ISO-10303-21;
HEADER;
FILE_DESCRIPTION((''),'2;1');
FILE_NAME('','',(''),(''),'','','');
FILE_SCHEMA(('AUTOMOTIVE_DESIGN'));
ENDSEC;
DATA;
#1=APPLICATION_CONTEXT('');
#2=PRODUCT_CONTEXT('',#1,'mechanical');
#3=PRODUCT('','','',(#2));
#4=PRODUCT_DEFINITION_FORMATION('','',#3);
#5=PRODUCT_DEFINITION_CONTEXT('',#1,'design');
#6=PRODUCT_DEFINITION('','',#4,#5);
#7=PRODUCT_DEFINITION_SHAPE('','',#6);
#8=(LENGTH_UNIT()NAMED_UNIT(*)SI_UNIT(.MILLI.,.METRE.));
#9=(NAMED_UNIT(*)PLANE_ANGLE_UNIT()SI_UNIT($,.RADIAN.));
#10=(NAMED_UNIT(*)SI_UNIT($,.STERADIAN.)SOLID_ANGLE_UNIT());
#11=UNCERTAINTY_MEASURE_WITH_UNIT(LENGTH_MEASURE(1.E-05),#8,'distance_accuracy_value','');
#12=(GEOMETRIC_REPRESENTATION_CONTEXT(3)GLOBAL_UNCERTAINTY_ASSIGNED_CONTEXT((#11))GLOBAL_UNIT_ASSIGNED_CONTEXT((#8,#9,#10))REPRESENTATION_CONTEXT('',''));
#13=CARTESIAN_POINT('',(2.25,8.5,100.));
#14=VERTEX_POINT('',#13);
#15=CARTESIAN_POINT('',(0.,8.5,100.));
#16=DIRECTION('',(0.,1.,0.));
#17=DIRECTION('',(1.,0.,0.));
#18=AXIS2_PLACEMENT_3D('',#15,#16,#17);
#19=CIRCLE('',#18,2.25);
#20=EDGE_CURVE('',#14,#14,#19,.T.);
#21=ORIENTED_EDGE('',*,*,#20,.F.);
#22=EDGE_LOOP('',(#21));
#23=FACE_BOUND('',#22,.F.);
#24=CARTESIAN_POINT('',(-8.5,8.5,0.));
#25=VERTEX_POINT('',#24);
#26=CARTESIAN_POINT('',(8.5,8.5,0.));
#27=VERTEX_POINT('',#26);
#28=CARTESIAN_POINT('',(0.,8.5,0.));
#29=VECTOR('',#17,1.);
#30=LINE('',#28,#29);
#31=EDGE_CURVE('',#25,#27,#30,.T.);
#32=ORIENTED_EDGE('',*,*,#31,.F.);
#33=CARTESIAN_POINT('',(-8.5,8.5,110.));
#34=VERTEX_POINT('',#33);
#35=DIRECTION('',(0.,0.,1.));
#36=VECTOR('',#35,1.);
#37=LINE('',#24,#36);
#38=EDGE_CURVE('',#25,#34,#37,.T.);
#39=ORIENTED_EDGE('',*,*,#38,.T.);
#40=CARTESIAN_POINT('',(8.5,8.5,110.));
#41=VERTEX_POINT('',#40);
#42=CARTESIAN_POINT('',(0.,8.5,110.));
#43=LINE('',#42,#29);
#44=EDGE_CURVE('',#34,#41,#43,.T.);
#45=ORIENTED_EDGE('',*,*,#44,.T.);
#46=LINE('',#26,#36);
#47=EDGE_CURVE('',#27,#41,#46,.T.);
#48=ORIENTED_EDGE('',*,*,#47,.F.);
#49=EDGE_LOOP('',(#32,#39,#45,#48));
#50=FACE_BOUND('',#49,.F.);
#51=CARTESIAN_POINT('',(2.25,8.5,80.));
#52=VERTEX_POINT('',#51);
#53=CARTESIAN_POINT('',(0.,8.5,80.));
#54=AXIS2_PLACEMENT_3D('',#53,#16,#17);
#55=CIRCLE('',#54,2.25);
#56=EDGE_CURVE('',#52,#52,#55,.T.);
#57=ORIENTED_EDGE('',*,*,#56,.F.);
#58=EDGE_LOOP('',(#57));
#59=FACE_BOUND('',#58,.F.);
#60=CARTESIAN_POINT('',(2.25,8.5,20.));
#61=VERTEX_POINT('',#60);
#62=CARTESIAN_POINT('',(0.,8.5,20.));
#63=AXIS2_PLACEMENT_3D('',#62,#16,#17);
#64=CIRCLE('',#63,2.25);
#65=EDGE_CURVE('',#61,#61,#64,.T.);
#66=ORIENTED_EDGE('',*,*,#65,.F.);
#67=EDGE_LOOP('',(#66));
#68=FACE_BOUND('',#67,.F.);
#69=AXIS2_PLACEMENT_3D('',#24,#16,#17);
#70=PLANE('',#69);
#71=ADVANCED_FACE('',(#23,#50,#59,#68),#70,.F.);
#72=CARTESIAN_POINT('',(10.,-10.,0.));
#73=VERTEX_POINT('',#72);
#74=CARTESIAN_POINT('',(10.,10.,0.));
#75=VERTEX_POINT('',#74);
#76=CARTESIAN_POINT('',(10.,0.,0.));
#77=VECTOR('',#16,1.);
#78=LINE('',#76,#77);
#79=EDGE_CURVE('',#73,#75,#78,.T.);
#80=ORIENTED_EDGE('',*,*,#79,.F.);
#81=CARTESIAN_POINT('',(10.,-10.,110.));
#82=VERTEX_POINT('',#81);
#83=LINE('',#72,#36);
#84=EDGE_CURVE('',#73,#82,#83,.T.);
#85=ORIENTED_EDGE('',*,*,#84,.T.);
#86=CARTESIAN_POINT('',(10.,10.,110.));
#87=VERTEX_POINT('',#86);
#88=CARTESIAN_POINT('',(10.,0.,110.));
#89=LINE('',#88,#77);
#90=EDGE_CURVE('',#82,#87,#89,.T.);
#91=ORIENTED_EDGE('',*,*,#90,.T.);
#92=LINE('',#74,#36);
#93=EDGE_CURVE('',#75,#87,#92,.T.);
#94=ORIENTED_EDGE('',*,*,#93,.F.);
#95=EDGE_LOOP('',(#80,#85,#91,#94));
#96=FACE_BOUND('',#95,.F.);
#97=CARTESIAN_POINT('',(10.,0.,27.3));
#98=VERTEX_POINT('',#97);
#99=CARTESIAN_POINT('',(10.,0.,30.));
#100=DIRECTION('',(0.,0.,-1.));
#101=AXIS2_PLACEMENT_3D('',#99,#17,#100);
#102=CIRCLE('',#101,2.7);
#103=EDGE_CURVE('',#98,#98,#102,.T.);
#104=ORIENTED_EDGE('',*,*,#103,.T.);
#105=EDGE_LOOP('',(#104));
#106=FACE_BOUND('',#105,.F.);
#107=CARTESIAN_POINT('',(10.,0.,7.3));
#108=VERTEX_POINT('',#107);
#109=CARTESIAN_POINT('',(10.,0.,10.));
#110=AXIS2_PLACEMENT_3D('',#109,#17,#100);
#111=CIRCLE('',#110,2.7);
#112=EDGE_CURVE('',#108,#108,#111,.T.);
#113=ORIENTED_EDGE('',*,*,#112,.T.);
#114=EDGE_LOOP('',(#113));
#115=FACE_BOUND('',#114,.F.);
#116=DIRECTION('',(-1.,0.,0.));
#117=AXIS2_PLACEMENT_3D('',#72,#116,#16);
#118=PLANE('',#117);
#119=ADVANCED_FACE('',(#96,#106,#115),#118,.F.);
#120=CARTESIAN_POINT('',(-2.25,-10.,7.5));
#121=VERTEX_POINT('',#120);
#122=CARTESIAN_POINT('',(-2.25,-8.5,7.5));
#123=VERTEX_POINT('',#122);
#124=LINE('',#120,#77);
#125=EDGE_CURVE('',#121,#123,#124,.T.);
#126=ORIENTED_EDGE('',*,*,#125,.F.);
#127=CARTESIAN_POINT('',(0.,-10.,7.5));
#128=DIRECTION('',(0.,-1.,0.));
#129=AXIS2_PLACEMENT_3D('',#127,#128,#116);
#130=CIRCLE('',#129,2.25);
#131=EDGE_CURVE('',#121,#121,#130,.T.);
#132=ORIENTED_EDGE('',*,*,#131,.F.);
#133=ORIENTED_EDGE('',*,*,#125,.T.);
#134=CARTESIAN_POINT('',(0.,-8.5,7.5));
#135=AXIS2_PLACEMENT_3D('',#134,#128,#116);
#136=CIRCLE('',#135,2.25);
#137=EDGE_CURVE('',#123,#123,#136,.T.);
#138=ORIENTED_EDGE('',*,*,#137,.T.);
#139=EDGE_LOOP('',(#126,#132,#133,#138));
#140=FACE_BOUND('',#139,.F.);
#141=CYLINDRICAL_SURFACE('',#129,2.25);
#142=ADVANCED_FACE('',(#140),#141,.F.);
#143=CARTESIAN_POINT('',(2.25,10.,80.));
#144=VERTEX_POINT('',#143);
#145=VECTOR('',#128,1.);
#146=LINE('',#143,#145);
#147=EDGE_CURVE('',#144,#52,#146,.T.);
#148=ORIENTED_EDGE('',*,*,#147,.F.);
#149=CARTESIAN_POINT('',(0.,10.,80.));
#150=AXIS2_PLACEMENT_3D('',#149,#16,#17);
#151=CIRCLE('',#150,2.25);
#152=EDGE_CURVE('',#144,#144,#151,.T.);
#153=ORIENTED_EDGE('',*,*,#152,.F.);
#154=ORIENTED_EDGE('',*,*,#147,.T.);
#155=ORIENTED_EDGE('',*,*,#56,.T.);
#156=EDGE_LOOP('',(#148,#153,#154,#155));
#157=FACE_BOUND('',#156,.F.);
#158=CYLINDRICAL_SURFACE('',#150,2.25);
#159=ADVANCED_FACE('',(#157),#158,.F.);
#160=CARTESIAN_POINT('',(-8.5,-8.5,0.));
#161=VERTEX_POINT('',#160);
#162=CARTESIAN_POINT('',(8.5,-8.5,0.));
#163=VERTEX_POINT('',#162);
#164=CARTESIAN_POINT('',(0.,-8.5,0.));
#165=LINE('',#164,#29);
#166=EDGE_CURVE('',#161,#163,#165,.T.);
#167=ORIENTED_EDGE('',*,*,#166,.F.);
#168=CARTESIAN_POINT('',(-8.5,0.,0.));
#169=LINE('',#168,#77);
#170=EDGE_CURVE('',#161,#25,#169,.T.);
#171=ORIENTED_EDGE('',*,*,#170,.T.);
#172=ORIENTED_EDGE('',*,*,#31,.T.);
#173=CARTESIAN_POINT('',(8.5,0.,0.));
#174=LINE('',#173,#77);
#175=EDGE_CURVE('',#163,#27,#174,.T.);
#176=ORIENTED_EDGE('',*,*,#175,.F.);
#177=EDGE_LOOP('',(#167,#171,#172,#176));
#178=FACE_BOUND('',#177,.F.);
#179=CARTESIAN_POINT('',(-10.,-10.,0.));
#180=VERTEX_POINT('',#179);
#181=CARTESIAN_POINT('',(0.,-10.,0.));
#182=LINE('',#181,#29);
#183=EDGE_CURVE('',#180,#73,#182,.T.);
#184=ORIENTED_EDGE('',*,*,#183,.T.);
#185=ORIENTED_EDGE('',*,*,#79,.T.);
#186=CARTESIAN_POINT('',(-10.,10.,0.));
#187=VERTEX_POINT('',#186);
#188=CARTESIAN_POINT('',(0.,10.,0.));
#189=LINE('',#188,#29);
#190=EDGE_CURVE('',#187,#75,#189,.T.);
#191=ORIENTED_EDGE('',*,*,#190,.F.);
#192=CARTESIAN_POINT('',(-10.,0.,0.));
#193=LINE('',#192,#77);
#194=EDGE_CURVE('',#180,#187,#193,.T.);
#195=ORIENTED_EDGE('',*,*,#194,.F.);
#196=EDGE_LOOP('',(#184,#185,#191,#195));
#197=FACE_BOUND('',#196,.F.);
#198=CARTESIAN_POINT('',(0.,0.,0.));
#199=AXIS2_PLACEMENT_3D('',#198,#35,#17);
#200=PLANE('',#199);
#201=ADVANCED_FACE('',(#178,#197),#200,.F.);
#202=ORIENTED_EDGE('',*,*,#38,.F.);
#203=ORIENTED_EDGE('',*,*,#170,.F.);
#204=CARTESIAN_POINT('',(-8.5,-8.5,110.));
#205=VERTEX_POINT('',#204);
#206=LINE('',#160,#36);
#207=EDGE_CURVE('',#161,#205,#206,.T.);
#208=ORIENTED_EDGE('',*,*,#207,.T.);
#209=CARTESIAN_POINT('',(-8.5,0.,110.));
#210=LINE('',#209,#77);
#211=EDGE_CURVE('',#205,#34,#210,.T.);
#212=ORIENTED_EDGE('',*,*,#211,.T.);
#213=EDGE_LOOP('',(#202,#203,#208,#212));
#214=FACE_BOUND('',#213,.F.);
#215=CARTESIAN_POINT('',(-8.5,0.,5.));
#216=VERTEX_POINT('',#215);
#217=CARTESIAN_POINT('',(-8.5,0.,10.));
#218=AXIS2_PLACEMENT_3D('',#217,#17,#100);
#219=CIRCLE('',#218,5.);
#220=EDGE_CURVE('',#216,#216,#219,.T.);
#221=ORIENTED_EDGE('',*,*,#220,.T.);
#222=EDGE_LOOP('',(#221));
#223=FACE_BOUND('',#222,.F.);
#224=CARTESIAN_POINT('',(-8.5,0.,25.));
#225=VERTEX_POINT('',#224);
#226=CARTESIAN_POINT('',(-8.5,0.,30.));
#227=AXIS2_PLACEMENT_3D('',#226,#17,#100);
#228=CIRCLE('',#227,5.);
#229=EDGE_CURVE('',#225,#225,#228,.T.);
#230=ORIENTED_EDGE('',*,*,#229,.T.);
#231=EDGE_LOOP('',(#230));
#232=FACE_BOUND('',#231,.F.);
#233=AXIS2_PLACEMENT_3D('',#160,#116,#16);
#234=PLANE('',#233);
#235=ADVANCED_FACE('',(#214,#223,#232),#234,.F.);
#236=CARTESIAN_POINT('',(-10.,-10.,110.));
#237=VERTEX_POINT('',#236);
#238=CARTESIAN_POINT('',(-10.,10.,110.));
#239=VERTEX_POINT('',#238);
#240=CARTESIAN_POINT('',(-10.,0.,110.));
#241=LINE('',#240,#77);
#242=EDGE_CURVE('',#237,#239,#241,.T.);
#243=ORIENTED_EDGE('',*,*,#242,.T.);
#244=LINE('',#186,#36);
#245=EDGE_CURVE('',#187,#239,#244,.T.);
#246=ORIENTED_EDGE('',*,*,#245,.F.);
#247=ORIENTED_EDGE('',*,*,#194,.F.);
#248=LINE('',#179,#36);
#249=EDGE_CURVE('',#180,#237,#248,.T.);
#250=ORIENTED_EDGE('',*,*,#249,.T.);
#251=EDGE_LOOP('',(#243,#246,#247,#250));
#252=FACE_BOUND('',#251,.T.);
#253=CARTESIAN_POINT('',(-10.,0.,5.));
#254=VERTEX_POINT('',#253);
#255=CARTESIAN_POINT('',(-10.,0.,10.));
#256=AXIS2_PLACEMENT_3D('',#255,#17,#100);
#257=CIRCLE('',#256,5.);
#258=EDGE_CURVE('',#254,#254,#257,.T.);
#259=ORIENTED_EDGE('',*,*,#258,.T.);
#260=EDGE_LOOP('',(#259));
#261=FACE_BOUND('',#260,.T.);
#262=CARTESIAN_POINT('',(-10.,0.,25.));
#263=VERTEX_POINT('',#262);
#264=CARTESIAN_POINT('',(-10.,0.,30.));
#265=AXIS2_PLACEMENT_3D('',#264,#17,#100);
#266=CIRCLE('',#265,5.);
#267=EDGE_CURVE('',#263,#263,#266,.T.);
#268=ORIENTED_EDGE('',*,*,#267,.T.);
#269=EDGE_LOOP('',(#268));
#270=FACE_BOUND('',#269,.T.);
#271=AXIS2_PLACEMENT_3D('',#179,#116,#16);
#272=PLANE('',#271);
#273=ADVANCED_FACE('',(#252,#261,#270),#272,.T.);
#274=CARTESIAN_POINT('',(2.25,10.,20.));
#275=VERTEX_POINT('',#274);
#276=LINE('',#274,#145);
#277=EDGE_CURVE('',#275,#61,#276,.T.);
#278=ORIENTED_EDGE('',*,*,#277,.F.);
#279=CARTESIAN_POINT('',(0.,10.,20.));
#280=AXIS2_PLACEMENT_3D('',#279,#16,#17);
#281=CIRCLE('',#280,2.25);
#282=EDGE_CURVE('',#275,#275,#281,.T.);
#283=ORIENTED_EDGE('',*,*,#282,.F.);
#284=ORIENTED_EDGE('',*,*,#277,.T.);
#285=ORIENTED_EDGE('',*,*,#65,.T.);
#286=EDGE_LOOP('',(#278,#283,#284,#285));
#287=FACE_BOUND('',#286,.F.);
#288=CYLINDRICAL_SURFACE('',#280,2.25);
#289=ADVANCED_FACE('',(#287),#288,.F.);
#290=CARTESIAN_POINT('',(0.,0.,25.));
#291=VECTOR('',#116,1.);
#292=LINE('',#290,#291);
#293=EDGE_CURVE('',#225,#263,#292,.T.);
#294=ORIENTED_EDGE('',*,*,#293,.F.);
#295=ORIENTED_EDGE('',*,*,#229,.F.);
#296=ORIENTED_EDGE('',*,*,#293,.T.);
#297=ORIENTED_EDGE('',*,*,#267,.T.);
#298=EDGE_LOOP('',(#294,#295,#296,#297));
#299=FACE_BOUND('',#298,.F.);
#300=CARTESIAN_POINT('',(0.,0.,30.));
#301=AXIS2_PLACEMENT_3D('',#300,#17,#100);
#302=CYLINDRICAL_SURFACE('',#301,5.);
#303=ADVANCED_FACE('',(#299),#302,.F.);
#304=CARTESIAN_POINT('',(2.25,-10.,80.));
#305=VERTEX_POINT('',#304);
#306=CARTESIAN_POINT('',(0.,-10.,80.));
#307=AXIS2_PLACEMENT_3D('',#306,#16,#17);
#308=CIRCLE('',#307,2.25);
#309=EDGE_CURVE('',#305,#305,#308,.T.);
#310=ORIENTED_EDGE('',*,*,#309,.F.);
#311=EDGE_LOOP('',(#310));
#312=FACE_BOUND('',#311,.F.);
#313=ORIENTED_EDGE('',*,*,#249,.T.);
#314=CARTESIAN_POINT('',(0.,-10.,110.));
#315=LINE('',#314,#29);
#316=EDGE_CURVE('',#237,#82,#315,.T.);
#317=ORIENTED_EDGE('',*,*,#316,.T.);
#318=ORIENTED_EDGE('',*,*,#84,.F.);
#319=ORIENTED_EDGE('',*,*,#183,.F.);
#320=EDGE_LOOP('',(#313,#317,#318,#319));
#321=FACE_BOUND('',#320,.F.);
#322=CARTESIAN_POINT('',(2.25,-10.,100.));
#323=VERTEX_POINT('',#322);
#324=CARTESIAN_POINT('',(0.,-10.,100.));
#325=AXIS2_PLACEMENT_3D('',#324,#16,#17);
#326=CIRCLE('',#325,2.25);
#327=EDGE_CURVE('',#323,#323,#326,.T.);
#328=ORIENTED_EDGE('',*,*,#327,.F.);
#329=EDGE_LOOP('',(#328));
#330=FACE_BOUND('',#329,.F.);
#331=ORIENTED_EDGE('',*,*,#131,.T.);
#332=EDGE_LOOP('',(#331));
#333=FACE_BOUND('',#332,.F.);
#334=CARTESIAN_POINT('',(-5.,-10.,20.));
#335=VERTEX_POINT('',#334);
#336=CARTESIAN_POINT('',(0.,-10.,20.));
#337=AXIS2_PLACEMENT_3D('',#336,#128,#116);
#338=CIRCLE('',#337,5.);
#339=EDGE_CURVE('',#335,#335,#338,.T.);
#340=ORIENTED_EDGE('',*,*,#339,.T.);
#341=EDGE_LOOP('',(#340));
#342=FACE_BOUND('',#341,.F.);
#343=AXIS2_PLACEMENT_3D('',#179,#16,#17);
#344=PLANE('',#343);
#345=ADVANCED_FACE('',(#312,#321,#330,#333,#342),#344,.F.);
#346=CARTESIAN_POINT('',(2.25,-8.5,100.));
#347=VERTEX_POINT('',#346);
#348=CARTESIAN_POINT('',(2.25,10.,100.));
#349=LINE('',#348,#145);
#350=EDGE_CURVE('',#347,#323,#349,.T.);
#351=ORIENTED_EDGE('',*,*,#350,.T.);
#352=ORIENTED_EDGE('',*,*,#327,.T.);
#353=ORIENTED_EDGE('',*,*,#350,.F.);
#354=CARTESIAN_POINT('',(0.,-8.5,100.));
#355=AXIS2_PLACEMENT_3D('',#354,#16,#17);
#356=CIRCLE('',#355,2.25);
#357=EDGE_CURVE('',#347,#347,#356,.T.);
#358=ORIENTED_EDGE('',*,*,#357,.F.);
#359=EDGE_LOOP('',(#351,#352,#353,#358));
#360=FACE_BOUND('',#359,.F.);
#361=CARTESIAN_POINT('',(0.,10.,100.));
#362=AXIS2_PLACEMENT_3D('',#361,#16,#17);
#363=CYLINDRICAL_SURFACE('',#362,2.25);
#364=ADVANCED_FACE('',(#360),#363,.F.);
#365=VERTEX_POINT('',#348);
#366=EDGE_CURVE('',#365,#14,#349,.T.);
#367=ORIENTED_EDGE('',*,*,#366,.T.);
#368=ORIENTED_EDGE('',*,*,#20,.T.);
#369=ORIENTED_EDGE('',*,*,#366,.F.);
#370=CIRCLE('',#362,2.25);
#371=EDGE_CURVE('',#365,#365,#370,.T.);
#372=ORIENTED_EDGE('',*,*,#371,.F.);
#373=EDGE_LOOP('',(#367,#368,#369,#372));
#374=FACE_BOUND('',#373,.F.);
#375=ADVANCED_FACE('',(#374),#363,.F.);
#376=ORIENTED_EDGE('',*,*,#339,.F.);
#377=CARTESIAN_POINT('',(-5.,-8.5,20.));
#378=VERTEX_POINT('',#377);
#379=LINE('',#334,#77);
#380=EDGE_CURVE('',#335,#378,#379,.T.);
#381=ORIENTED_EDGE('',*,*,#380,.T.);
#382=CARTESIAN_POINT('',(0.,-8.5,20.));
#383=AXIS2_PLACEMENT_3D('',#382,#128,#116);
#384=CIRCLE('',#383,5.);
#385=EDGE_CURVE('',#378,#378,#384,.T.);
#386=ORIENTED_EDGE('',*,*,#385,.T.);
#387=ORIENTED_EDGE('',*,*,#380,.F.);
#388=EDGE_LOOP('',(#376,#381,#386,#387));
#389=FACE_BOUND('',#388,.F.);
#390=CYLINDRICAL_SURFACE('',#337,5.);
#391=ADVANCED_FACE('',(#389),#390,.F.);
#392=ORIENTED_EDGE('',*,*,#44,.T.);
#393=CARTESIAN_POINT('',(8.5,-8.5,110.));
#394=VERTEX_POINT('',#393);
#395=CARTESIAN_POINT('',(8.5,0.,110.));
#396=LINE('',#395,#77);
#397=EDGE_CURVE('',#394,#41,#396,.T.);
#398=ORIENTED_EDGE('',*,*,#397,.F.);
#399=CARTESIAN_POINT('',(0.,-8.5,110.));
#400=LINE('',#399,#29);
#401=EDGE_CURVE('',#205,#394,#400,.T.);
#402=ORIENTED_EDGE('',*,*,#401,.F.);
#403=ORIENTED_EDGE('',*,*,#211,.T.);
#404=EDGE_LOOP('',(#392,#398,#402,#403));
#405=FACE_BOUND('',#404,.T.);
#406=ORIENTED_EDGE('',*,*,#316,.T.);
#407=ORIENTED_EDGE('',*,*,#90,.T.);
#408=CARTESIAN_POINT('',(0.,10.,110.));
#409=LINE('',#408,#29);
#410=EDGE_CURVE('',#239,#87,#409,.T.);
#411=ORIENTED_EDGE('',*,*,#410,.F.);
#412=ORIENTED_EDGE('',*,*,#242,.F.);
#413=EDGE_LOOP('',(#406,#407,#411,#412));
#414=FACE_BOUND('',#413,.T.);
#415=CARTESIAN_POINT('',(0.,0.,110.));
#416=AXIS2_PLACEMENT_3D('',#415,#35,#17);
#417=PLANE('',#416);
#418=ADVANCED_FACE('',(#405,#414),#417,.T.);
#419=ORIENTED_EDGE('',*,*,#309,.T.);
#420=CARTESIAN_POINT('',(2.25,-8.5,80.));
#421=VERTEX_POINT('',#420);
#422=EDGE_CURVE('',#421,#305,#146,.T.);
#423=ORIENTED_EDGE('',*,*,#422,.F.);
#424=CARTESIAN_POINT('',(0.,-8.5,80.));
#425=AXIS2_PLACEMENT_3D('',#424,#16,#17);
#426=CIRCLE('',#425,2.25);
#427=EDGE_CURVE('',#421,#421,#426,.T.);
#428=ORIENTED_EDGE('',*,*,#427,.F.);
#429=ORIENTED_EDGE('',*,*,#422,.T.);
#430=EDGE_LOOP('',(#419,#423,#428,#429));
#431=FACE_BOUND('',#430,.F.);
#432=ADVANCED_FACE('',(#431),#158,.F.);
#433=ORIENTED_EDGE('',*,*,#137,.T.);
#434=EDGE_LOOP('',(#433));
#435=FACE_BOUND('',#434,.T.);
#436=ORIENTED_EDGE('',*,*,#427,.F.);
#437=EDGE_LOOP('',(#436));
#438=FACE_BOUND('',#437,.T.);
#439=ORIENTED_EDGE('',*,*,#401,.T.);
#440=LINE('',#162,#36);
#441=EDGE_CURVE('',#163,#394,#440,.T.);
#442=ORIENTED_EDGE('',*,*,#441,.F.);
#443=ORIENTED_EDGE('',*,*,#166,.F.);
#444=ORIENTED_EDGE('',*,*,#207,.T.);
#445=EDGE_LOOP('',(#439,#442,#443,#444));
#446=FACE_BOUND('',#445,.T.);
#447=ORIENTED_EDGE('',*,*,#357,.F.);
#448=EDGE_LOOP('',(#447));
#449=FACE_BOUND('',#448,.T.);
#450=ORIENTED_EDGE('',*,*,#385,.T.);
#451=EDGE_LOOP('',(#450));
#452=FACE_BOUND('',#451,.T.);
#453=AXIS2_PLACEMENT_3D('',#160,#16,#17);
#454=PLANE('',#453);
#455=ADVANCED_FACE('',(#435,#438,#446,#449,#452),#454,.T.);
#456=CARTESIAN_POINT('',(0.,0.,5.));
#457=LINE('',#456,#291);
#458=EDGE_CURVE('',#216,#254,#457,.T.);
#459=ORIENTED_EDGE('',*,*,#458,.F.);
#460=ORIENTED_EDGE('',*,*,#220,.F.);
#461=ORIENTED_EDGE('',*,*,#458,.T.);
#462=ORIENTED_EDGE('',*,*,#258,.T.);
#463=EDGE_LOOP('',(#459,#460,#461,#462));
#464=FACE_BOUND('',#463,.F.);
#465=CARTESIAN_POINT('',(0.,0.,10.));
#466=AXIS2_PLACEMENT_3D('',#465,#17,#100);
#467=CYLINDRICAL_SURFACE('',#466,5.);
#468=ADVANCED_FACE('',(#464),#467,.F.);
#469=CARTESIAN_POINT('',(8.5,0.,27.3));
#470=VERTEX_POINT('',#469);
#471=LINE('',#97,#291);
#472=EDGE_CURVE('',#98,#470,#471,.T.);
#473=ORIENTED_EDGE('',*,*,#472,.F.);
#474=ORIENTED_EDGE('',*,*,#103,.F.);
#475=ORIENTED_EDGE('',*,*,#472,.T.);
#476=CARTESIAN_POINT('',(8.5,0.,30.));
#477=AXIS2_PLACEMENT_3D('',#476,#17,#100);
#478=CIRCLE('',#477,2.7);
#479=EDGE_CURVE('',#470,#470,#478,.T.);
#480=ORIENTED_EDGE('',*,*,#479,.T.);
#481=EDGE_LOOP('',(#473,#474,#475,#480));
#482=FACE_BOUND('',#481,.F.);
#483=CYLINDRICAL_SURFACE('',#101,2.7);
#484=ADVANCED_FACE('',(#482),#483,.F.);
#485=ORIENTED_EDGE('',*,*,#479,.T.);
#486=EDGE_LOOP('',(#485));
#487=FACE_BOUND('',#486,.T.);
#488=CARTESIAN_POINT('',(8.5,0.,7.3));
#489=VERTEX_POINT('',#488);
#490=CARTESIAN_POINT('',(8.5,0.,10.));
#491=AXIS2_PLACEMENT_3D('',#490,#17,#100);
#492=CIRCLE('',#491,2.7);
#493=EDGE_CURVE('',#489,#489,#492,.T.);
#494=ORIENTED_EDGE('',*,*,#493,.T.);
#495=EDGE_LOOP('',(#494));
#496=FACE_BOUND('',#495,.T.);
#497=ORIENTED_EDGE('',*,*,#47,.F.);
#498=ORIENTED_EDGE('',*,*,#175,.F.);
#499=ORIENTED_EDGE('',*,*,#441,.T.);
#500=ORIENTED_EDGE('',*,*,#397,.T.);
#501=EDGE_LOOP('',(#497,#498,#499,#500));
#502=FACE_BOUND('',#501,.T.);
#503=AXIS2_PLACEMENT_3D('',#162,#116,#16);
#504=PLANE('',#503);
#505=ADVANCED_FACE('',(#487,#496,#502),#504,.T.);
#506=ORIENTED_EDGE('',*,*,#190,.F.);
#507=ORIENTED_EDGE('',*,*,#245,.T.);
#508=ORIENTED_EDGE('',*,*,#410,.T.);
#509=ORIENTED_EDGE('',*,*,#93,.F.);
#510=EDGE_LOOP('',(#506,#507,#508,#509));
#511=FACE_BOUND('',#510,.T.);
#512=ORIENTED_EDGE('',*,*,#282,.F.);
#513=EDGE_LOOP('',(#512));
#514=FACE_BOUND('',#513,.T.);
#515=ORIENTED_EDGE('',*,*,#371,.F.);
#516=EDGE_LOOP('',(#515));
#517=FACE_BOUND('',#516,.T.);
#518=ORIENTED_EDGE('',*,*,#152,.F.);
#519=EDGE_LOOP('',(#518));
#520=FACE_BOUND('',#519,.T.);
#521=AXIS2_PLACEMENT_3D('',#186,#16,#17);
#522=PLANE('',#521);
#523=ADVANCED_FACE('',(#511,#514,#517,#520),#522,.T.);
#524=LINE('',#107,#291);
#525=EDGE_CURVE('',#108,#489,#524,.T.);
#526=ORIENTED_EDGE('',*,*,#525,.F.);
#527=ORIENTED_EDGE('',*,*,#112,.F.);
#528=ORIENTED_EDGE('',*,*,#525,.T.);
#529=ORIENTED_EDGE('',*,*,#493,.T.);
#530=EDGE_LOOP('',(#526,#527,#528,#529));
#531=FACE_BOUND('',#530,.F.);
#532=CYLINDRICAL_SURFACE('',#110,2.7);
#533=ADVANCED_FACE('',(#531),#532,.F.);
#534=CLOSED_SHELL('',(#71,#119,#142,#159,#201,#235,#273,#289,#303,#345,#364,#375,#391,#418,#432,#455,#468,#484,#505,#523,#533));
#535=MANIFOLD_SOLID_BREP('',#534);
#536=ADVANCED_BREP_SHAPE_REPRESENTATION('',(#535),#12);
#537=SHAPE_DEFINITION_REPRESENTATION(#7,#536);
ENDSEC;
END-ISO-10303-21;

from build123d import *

# Parameters (mm, degrees)
SKETCH_1_W          = 20
SKETCH_1_H          = 20
SKETCH_1_W_2        = 17
SKETCH_1_H_2        = 17
EXTRUDE_1_DEPTH     = 110
SKETCH_2_R          = 2.7
CUT_EXTRUDE_1_DEPTH = 25
SKETCH_3_R          = 2.25
CUT_EXTRUDE_2_DEPTH = 20
SKETCH_4_R          = 2.25
CUT_EXTRUDE_3_DEPTH = 5
SKETCH_5_R          = 5
CUT_EXTRUDE_4_DEPTH = 10
CUT_EXTRUDE_START   = -10
SKETCH_6_R          = 5
CUT_EXTRUDE_5_DEPTH = 10


with BuildPart() as part:
    # ｽｹｯﾁ1 → ﾎﾞｽ - 押し出し1 (new body)
    with BuildSketch(Plane.XY):
        Rectangle(SKETCH_1_W, SKETCH_1_H)
        Rectangle(SKETCH_1_W_2, SKETCH_1_H_2, mode=Mode.SUBTRACT)
    extrude(amount=EXTRUDE_1_DEPTH)

    # ｽｹｯﾁ2 → ｶｯﾄ - 押し出し1 (cut)
    with BuildSketch(Plane(origin=(10, 0, 0), x_dir=(0, 0, -1), z_dir=(1, 0, 0))):
        with Locations((-30, 0)):
            Circle(SKETCH_2_R)
        with Locations((-10, 0)):
            Circle(SKETCH_2_R)
    extrude(amount=-CUT_EXTRUDE_1_DEPTH, mode=Mode.SUBTRACT)

    # ｽｹｯﾁ3 → ｶｯﾄ - 押し出し2 (cut)
    with BuildSketch(Plane(origin=(0, 10, 0), x_dir=(1, 0, 0), z_dir=(0, 1, 0))):
        with Locations((0, -100)):
            Circle(SKETCH_3_R)
        with Locations((0, -80)):
            Circle(SKETCH_3_R)
        with Locations((0, -20)):
            Circle(SKETCH_3_R)
    extrude(amount=-CUT_EXTRUDE_2_DEPTH, mode=Mode.SUBTRACT)

    # ｽｹｯﾁ4 → ｶｯﾄ - 押し出し3 (cut)
    with BuildSketch(Plane(origin=(0, -10, 0), x_dir=(-1, 0, 0), z_dir=(0, -1, 0))):
        with Locations((0, -7.5)):
            Circle(SKETCH_4_R)
    extrude(amount=-CUT_EXTRUDE_3_DEPTH, mode=Mode.SUBTRACT)

    # ｽｹｯﾁ5 → ｶｯﾄ - 押し出し4 (cut)
    with BuildSketch(Plane(origin=(0, -10, 0), x_dir=(-1, 0, 0), z_dir=(0, -1, 0))):
        with Locations((0, -20)):
            Circle(SKETCH_5_R)
    extrude(amount=-CUT_EXTRUDE_4_DEPTH, mode=Mode.SUBTRACT)

    # ｽｹｯﾁ6 → ｶｯﾄ - 押し出し5 (cut)
    with BuildSketch(Plane(origin=(10, 0, 0), x_dir=(0, 0, -1), z_dir=(1, 0, 0)).offset(CUT_EXTRUDE_START)):
        with Locations((-10, 0)):
            Circle(SKETCH_6_R)
        with Locations((-30, 0)):
            Circle(SKETCH_6_R)
    extrude(amount=-CUT_EXTRUDE_5_DEPTH, mode=Mode.SUBTRACT)


solid = part.part
